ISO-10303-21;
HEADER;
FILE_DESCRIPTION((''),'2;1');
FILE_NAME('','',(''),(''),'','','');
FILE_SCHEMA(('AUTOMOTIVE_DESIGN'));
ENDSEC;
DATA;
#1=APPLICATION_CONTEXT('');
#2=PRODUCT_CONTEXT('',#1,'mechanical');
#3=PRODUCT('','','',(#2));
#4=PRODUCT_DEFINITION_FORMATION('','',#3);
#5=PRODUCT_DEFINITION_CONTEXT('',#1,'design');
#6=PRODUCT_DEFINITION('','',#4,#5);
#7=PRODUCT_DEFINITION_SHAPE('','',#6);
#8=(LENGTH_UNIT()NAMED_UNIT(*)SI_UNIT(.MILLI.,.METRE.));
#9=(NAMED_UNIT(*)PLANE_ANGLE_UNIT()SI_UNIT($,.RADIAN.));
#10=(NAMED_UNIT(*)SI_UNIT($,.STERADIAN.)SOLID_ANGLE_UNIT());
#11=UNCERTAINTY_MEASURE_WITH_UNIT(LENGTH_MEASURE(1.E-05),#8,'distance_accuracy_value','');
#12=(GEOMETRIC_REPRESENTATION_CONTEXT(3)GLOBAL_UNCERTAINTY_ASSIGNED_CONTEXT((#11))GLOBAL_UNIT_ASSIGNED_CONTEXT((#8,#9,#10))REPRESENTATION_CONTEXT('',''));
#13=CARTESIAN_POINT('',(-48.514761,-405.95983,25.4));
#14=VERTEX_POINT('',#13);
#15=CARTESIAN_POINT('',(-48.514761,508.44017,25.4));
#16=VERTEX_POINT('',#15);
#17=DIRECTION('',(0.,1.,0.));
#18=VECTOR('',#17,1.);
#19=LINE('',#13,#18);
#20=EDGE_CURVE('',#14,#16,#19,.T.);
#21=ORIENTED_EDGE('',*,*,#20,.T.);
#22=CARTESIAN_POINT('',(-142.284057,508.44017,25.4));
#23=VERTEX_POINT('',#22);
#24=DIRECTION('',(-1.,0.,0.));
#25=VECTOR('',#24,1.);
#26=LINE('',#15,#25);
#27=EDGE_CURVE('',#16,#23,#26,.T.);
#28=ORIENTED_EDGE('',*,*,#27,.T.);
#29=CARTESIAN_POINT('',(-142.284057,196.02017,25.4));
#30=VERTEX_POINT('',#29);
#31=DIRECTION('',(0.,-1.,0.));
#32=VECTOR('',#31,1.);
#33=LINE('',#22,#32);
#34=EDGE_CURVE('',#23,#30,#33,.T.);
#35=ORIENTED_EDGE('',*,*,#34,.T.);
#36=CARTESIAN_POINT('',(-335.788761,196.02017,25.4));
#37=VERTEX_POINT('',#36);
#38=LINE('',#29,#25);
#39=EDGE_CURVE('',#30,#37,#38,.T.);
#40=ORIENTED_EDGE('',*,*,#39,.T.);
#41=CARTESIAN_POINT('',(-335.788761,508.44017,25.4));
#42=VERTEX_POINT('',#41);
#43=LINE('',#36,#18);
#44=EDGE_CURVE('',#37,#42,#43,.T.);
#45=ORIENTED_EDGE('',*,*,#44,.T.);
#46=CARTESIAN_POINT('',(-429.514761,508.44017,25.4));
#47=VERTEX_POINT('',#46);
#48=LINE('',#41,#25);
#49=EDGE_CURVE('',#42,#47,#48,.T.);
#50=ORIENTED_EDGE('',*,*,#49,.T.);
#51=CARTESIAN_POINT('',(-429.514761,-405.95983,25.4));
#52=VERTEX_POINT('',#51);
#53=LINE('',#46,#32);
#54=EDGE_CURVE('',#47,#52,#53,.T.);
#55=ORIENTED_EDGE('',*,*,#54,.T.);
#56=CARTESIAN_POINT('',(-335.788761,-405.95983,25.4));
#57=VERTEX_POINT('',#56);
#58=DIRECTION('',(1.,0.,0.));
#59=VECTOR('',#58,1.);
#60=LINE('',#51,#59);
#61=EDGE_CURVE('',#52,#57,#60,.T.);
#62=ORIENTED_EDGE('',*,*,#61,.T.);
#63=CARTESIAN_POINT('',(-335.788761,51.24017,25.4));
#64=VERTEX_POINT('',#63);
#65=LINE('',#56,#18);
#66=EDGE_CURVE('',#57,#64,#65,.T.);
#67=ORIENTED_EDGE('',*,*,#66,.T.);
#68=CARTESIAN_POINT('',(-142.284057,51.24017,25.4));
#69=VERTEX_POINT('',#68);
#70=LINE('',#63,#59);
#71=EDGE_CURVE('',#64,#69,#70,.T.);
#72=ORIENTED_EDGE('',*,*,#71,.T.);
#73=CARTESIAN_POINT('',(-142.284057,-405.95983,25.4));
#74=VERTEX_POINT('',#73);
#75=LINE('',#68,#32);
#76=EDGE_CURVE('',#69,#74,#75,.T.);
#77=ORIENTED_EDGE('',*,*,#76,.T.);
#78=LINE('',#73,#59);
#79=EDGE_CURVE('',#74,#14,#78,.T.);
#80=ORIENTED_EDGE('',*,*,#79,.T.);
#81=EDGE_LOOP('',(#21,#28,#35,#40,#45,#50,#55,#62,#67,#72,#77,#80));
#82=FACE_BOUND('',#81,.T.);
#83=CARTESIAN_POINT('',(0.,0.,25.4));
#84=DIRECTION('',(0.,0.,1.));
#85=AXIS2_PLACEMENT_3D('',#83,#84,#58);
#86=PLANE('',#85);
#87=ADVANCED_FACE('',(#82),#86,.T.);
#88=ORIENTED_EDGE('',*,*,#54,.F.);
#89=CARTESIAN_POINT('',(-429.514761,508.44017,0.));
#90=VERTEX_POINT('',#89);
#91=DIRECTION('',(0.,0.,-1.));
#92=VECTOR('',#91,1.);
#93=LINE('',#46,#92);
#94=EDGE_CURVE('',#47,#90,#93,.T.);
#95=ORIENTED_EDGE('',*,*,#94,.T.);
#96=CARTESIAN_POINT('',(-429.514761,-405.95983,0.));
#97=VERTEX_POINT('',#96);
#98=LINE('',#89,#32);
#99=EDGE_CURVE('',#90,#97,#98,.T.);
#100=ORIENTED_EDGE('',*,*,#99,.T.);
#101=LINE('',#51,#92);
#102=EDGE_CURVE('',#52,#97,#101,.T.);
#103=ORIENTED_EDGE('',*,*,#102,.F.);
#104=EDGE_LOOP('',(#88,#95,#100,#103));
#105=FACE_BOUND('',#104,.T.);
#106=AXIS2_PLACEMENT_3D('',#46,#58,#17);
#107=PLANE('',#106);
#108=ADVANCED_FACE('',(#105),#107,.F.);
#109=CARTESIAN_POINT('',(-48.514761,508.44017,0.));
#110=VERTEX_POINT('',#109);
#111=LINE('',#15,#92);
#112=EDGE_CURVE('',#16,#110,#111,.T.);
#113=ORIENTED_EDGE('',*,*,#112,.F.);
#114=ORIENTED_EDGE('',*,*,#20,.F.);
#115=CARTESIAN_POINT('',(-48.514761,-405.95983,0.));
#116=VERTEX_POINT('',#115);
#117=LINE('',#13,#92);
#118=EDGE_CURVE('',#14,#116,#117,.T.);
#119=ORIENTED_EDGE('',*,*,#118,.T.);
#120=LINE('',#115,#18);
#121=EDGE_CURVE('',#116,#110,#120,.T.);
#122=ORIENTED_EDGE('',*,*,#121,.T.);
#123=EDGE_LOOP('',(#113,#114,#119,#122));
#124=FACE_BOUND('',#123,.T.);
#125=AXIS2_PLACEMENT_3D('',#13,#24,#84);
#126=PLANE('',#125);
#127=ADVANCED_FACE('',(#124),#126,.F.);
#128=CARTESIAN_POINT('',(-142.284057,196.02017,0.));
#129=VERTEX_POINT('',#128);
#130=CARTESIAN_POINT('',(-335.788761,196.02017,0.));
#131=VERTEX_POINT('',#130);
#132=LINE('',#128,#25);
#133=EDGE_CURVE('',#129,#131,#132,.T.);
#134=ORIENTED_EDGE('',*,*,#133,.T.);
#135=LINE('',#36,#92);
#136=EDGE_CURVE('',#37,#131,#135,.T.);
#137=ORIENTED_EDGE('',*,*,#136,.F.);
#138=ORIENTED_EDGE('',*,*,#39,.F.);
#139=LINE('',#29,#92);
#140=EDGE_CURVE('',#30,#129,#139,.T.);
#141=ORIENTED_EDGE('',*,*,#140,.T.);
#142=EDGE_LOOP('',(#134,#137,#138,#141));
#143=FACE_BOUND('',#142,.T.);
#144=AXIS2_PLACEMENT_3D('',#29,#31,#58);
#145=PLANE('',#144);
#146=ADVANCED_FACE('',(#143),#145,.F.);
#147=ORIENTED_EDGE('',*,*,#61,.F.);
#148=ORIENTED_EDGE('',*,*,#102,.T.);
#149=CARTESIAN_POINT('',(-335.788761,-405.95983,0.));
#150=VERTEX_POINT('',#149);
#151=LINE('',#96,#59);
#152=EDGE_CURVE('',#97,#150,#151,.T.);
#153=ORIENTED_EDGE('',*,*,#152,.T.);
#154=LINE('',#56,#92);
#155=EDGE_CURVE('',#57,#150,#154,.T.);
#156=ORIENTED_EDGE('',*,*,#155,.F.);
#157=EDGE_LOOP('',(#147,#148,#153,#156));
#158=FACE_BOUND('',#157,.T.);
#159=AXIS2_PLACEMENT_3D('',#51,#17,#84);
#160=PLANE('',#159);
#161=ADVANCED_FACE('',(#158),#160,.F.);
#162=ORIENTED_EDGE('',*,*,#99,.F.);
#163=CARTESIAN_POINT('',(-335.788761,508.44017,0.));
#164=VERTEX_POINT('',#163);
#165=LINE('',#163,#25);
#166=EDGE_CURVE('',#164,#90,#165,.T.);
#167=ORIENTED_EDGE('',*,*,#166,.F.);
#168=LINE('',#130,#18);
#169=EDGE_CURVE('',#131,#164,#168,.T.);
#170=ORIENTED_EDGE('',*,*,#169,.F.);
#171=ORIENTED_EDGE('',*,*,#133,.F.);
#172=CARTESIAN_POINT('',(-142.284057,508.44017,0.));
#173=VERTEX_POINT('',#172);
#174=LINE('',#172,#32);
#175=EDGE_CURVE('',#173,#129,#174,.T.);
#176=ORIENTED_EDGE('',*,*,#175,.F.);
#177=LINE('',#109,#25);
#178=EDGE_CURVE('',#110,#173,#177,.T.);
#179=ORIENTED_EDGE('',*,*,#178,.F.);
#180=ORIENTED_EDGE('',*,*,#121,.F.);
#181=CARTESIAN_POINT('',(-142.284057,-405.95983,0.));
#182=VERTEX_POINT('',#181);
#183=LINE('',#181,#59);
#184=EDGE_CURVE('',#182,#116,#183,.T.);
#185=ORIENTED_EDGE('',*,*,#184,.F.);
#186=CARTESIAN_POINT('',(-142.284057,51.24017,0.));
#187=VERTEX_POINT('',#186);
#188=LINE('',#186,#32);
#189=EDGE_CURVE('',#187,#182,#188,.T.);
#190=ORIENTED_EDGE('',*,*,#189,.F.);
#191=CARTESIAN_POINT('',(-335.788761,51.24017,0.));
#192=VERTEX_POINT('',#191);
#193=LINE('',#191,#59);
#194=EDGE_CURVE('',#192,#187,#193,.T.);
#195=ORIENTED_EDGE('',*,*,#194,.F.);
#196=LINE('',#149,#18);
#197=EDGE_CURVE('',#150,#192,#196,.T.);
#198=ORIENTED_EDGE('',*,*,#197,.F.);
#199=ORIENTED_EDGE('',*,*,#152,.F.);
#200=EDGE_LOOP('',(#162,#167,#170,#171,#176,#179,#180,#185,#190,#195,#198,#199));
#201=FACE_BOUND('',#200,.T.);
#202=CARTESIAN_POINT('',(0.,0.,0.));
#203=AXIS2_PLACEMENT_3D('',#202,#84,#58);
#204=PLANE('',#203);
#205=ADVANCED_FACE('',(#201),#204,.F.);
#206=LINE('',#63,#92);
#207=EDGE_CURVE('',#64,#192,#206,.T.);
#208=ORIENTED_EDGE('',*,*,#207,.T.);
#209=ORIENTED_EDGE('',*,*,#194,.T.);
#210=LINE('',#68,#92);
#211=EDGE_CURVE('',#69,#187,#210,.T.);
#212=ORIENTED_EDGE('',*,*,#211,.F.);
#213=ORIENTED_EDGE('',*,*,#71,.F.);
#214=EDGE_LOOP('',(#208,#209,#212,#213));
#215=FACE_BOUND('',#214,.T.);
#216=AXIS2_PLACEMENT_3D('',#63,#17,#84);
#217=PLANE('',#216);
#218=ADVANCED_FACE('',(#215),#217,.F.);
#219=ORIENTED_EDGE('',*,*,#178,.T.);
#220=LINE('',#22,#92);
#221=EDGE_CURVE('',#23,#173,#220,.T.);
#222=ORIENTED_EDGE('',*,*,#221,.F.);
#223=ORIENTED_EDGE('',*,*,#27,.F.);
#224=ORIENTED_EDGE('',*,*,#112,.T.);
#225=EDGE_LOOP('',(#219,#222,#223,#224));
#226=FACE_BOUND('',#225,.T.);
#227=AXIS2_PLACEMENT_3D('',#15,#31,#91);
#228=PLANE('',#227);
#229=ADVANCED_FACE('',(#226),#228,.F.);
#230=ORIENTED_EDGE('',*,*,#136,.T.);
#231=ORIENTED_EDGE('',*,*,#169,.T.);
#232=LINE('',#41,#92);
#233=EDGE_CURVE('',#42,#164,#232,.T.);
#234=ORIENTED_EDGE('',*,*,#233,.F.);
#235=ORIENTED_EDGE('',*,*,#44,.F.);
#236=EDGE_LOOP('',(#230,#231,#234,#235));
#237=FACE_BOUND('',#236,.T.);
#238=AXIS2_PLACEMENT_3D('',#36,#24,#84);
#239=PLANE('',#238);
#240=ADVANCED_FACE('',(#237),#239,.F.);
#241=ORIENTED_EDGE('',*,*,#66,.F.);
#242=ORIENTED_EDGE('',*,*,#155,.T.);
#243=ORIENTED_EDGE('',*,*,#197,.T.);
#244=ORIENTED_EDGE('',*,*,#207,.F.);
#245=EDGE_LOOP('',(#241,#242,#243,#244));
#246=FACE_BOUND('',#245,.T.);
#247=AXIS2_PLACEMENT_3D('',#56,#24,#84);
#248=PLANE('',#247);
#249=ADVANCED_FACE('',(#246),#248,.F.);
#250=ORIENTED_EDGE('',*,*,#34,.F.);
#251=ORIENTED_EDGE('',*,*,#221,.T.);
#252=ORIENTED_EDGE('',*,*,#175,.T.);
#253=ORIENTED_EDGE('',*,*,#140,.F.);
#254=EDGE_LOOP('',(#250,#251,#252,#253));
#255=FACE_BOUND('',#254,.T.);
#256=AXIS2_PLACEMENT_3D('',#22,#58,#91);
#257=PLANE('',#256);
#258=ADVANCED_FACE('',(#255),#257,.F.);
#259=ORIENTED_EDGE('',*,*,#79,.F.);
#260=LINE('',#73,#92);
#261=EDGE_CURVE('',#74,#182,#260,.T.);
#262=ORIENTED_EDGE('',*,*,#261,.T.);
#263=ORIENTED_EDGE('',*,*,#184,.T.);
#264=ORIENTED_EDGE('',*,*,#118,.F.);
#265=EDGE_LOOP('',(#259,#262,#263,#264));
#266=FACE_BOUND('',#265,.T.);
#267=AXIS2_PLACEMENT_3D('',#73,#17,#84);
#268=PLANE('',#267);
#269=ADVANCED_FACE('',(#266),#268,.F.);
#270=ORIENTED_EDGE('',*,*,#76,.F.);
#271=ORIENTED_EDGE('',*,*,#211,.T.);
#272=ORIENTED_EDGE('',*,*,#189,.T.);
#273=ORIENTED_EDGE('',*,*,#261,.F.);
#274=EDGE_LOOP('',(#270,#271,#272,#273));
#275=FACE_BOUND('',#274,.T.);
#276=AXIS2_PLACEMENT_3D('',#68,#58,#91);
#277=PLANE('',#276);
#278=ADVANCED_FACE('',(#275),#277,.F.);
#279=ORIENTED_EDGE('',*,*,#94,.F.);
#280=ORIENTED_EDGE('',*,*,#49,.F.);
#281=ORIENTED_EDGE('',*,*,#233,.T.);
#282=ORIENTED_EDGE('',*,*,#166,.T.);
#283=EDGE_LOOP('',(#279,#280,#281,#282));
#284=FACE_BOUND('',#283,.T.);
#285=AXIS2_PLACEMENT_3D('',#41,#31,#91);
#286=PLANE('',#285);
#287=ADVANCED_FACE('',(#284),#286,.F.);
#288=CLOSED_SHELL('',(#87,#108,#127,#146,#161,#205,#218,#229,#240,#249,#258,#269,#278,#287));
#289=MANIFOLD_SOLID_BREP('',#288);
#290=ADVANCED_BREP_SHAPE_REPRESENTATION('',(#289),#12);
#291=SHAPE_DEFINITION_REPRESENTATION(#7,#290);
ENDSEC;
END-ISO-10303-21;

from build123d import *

# Parameters (mm, degrees)
BOSS_EXTRUDE1_DEPTH = 25.4


with BuildPart() as part:
    # Sketch1 → Boss-Extrude1 (new body)
    with BuildSketch(Plane.XY):
        Polygon((-429.514761354, 508.440170455), (-429.514761354, -405.959829545), (-335.788761354, -405.959829545), (-335.788761354, 51.240170455), (-142.284056924, 51.240170455), (-142.284056924, -405.959829545), (-48.514761354, -405.959829545), (-48.514761354, 508.440170455), (-142.284056924, 508.440170455), (-142.284056924, 196.020170455), (-335.788761354, 196.020170455), (-335.788761354, 508.440170455), align=None)
    extrude(amount=BOSS_EXTRUDE1_DEPTH)


solid = part.part
